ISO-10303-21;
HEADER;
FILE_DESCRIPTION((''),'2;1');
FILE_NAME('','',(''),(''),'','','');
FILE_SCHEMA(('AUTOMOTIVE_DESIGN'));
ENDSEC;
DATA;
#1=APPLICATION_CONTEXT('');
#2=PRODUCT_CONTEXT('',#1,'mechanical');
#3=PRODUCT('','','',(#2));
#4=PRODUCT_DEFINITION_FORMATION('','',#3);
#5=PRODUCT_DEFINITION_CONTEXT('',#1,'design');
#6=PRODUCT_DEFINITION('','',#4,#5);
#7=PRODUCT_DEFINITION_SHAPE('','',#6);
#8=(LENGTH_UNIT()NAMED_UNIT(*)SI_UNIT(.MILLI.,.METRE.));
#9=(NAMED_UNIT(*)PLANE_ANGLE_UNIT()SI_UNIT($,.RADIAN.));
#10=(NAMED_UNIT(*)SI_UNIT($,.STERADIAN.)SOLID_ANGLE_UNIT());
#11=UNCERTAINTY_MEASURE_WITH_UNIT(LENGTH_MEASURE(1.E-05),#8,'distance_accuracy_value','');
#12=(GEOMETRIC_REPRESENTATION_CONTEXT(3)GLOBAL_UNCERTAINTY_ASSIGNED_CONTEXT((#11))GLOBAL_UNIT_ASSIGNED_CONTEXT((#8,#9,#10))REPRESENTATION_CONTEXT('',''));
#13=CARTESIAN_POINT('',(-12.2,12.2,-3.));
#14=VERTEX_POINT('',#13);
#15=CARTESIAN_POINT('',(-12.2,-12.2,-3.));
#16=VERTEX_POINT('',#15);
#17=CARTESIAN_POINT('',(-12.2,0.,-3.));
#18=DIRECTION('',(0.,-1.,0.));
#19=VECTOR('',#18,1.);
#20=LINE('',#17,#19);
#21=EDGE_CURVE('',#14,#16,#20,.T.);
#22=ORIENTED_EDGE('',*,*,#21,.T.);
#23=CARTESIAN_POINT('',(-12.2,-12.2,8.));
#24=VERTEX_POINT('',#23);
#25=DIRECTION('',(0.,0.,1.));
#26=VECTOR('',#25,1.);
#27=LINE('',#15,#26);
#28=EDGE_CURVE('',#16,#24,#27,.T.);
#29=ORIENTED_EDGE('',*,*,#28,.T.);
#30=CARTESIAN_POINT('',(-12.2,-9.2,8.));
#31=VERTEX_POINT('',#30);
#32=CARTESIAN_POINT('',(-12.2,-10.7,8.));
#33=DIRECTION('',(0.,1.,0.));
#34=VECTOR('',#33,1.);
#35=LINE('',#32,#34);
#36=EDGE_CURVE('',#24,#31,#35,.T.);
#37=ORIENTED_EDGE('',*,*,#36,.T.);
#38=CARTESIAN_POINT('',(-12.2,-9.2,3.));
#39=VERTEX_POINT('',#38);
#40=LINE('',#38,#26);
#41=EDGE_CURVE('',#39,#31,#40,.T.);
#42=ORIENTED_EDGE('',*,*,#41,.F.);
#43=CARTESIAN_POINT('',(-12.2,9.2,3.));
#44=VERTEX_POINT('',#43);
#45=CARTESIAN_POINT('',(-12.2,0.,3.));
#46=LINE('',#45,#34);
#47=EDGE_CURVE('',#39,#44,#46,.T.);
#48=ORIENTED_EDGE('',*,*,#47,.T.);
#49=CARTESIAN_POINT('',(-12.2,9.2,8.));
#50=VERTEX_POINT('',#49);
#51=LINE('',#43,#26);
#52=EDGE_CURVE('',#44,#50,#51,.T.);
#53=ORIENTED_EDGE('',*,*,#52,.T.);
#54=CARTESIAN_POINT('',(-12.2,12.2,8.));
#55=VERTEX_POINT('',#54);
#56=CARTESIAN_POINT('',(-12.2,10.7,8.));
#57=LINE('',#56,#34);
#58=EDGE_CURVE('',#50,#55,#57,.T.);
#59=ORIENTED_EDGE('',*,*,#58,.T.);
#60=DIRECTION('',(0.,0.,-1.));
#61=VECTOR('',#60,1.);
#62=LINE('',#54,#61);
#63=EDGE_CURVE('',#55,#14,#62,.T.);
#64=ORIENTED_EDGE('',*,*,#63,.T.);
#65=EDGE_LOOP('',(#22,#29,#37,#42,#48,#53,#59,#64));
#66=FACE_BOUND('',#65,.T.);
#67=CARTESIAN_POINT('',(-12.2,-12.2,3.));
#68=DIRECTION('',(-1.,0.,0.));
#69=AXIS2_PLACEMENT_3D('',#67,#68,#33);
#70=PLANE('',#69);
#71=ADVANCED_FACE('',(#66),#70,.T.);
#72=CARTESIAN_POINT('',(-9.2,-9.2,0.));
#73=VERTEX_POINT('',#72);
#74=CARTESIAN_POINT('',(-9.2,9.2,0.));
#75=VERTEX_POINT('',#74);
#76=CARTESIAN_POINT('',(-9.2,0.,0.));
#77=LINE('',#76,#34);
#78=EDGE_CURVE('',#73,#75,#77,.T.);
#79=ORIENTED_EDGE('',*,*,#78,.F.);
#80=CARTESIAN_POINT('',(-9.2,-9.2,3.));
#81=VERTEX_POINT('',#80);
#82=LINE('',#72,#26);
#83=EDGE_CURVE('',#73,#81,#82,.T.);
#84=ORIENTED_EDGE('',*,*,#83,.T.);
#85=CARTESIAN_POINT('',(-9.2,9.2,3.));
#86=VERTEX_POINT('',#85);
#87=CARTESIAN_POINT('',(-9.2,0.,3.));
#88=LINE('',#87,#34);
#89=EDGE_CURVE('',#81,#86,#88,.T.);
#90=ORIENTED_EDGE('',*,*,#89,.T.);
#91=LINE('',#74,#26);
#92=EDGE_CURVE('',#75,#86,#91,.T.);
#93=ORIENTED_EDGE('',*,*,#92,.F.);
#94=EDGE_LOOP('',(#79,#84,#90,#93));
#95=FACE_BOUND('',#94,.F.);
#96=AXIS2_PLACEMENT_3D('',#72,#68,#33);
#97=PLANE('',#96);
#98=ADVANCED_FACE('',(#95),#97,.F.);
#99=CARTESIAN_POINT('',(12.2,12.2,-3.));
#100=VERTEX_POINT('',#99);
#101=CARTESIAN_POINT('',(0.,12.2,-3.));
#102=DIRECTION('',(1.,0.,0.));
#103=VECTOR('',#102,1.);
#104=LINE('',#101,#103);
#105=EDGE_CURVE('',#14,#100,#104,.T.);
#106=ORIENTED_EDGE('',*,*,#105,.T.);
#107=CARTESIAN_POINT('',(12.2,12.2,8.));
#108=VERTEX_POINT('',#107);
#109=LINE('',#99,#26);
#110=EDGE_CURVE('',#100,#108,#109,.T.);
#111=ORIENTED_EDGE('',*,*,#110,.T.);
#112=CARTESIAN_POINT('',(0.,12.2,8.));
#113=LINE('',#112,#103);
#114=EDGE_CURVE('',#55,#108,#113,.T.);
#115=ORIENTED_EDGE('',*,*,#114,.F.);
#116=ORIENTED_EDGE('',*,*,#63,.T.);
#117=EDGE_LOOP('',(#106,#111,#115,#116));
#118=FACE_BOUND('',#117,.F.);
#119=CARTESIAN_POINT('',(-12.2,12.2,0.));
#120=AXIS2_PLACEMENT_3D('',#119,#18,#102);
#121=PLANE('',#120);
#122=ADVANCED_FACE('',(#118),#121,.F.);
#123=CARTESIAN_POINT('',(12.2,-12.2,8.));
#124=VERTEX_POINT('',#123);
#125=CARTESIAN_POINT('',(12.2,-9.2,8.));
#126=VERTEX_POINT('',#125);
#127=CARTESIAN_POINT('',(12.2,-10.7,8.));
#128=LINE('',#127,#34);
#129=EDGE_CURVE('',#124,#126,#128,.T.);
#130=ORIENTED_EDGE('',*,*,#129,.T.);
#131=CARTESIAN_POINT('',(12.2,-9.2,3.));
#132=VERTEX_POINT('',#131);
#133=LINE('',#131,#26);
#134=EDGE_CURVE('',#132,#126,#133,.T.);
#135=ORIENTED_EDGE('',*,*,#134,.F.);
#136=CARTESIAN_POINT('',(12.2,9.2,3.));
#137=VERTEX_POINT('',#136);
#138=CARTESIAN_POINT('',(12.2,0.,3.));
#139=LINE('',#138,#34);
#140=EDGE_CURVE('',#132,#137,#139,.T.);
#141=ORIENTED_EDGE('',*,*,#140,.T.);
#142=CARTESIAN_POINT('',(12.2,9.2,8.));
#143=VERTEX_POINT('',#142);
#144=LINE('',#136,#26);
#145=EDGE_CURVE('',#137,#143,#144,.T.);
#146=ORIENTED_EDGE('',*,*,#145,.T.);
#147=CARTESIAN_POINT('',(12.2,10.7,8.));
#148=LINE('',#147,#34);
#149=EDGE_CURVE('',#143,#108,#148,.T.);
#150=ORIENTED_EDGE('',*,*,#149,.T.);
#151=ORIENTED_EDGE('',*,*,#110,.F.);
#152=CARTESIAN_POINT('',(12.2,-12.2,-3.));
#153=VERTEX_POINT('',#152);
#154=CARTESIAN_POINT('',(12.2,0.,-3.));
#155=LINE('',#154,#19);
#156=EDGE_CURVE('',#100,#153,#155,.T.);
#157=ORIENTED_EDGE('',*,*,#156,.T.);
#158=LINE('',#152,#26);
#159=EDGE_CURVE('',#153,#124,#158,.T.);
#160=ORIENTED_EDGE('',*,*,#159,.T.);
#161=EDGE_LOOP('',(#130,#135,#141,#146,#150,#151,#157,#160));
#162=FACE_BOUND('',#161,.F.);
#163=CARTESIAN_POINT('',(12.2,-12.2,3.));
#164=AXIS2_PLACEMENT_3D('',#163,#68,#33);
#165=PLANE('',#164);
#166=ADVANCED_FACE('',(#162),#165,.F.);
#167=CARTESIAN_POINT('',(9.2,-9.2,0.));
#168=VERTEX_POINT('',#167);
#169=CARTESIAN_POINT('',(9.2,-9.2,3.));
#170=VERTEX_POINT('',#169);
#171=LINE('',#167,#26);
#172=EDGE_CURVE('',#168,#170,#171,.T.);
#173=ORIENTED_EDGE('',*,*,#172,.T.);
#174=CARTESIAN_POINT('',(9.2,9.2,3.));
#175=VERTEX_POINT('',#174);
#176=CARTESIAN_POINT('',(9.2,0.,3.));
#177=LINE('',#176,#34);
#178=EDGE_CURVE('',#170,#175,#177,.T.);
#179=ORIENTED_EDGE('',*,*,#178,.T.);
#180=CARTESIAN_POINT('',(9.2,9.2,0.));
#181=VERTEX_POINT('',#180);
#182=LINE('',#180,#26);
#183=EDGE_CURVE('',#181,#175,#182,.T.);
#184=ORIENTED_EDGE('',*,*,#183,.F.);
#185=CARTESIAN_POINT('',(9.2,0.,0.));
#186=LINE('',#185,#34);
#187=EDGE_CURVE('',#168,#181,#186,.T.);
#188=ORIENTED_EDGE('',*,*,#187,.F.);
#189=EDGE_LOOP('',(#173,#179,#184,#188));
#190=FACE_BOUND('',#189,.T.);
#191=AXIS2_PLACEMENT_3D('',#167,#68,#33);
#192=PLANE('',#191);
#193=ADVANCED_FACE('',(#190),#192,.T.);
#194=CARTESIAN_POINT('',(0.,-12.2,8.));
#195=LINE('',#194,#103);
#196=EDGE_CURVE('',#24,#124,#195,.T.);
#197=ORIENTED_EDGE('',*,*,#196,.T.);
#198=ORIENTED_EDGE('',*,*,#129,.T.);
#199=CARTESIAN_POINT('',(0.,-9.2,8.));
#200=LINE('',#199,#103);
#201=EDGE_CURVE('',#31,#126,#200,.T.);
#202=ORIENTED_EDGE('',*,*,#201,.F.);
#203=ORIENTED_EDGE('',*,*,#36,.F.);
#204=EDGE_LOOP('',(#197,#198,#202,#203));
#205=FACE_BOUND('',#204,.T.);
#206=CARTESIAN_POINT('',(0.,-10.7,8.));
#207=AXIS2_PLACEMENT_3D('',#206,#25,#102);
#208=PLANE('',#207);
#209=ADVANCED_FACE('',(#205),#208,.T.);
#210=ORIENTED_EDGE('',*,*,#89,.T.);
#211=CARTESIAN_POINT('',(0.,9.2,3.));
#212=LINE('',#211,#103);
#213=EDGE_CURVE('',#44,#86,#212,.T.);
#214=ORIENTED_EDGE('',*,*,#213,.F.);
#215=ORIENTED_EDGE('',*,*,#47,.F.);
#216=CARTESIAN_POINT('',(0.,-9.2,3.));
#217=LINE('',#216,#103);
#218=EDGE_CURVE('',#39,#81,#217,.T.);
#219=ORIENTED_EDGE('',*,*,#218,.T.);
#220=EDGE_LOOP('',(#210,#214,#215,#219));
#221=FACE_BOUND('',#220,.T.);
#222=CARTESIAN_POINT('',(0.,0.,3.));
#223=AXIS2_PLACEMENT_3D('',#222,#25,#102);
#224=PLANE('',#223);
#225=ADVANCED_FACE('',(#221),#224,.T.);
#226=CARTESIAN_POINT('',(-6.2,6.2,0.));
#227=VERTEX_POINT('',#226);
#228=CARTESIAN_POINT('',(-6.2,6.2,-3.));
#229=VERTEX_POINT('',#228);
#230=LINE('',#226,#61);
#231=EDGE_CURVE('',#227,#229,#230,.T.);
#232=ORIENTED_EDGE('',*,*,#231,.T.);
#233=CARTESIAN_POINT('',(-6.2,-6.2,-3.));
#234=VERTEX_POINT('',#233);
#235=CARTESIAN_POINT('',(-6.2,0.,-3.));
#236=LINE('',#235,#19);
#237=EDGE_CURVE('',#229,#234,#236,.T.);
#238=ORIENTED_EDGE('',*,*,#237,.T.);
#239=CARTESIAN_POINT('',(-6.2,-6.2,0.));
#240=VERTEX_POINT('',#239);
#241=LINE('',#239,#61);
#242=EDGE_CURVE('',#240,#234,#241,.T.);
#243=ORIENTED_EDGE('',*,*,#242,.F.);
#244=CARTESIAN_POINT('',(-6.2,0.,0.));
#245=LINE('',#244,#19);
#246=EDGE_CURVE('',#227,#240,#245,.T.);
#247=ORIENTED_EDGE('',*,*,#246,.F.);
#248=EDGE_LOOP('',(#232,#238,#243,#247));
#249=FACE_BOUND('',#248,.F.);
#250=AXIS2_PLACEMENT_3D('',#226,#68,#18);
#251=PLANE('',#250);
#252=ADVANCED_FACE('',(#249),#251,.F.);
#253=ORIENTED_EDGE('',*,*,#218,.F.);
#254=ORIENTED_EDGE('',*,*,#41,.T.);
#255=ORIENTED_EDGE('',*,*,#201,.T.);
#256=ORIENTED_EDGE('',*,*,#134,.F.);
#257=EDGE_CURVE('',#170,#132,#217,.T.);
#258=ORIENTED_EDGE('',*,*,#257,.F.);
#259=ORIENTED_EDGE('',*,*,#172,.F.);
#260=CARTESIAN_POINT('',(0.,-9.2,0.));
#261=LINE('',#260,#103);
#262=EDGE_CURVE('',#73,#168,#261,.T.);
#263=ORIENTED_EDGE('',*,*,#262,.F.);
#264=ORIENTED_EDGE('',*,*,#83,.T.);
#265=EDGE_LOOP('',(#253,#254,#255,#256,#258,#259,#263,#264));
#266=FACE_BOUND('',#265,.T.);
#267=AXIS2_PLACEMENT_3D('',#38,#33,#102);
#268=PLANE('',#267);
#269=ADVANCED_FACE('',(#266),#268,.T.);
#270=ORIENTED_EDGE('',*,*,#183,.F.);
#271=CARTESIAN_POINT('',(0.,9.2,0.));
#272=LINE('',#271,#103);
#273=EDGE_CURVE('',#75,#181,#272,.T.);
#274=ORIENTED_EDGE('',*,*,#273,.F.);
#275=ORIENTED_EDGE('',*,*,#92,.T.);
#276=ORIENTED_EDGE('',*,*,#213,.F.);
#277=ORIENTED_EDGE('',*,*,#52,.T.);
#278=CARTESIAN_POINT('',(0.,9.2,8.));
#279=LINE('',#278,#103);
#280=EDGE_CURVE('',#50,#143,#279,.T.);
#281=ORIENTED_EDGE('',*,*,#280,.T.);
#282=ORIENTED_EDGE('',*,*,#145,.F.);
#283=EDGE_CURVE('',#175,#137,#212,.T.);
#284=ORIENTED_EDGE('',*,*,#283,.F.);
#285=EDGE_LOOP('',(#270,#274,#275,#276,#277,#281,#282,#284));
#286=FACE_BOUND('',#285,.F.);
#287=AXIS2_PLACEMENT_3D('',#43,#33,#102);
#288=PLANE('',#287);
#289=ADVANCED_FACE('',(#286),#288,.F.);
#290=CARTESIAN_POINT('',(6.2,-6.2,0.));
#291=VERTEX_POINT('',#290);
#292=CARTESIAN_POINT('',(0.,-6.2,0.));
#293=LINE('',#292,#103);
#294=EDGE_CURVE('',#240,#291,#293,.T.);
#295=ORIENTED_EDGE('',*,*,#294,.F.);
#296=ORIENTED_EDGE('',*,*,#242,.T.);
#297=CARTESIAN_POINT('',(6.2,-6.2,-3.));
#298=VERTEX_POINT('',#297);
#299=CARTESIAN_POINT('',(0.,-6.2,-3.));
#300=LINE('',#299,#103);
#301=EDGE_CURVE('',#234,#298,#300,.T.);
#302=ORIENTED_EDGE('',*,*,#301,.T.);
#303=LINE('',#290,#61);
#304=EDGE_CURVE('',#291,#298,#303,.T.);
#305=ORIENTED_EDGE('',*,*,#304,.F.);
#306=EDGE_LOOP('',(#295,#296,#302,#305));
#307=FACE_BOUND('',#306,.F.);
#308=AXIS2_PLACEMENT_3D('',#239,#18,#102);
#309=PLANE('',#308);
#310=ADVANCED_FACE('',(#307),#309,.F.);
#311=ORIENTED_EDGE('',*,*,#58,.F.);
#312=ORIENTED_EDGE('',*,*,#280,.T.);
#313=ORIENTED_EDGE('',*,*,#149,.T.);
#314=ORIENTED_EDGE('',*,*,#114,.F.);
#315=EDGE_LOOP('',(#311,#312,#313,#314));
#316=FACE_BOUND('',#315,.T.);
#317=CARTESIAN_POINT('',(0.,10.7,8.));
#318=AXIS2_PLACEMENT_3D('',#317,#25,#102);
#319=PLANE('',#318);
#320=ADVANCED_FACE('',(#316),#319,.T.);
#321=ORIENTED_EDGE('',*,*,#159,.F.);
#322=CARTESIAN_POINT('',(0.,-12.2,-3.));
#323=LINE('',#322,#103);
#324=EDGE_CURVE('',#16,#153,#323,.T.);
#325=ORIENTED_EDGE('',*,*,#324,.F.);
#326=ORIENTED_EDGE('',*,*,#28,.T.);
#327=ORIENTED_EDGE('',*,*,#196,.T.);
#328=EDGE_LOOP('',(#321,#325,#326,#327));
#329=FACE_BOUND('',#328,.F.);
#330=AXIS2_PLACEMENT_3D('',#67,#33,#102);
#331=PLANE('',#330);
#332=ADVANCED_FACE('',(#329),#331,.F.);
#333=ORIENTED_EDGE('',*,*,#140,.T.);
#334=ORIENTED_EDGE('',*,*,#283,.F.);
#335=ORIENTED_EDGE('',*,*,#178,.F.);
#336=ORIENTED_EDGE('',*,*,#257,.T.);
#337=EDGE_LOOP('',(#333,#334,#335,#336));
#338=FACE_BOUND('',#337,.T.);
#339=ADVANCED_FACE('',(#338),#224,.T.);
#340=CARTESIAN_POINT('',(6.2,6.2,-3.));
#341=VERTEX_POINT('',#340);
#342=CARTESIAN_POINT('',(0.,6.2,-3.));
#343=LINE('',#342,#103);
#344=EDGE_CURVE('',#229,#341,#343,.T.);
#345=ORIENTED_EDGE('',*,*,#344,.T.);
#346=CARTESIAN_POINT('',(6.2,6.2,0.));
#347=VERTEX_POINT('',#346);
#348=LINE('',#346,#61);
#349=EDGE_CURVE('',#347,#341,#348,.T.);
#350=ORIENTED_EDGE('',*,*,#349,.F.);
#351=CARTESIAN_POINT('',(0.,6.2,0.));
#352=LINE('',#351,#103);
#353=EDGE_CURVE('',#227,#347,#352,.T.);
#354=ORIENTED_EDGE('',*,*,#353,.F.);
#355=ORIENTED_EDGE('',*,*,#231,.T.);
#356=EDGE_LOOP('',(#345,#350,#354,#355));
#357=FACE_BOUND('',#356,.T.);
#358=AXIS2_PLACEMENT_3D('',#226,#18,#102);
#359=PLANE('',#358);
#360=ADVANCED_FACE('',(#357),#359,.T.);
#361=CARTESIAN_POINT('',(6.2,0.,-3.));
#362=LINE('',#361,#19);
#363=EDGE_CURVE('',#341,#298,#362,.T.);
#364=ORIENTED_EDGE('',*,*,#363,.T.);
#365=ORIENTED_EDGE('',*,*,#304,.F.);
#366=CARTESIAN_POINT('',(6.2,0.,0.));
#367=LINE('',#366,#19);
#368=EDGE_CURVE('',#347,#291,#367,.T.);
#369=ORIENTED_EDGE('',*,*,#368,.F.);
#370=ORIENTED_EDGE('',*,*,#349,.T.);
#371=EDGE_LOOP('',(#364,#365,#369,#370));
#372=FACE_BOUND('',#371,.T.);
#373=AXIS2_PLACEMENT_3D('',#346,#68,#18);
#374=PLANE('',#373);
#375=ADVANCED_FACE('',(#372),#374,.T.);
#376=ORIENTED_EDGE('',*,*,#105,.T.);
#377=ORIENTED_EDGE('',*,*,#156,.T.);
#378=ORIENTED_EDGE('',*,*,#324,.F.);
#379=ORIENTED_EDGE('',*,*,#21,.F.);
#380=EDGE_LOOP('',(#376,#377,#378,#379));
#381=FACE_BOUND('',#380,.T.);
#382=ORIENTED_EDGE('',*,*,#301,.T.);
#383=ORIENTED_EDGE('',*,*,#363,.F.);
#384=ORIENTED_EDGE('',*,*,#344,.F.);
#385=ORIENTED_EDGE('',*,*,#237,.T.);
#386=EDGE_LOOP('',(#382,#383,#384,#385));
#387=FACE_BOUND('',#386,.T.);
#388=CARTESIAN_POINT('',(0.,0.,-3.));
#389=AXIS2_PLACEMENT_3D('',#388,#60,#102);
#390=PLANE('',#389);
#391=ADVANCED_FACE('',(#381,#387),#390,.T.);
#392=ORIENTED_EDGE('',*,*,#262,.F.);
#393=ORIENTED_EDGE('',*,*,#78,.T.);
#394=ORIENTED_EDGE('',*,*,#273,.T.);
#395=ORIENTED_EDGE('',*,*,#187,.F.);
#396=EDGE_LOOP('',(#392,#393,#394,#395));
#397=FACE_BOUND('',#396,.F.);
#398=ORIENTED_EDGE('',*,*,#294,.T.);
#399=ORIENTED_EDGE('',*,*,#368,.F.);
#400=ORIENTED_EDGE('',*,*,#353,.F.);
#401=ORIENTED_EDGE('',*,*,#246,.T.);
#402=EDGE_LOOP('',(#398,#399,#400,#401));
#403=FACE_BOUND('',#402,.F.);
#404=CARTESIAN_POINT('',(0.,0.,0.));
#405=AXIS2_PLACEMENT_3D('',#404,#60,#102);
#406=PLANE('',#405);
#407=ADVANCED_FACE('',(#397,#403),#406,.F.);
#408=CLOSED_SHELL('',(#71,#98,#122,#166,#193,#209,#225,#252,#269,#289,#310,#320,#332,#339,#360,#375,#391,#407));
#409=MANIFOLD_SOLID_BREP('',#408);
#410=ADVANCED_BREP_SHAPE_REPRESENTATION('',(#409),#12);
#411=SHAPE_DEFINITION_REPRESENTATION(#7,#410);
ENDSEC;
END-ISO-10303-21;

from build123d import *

# Parameters (mm, degrees)
F0_W     = 24.4
F0_H     = 24.4
F0_W_2   = 18.4
F0_H_2   = 18.4
F1_DEPTH = 3
F2_W     = 24.4
F2_H     = 24.4
F2_W_2   = 12.4
F2_H_2   = 12.4
F3_DEPTH = 3
F4_W     = 24.4
F4_H     = 3
F5_DEPTH = 5


with BuildPart() as f1:
    # F0 (on Top) → F1 (new body)
    with BuildSketch(Plane.XY):
        Rectangle(F0_W, F0_H)
        Rectangle(F0_W_2, F0_H_2, mode=Mode.SUBTRACT)
    extrude(amount=F1_DEPTH)

    # F2 (on face) → F3 (join)
    with BuildSketch(Plane(origin=(0, 0, 0), x_dir=(1, 0, 0), z_dir=(0, 0, -1))):
        Rectangle(F2_W, F2_H)
        Rectangle(F2_W_2, F2_H_2, mode=Mode.SUBTRACT)
    extrude(amount=F3_DEPTH)

    # F4 (on face) → F5 (join)
    with BuildSketch(Plane.XY.offset(3)):
        with Locations((0, -10.7)):
            Rectangle(F4_W, F4_H)
        with Locations((0, 10.7)):
            Rectangle(F4_W, F4_H)
    extrude(amount=F5_DEPTH)


solid = f1.part
